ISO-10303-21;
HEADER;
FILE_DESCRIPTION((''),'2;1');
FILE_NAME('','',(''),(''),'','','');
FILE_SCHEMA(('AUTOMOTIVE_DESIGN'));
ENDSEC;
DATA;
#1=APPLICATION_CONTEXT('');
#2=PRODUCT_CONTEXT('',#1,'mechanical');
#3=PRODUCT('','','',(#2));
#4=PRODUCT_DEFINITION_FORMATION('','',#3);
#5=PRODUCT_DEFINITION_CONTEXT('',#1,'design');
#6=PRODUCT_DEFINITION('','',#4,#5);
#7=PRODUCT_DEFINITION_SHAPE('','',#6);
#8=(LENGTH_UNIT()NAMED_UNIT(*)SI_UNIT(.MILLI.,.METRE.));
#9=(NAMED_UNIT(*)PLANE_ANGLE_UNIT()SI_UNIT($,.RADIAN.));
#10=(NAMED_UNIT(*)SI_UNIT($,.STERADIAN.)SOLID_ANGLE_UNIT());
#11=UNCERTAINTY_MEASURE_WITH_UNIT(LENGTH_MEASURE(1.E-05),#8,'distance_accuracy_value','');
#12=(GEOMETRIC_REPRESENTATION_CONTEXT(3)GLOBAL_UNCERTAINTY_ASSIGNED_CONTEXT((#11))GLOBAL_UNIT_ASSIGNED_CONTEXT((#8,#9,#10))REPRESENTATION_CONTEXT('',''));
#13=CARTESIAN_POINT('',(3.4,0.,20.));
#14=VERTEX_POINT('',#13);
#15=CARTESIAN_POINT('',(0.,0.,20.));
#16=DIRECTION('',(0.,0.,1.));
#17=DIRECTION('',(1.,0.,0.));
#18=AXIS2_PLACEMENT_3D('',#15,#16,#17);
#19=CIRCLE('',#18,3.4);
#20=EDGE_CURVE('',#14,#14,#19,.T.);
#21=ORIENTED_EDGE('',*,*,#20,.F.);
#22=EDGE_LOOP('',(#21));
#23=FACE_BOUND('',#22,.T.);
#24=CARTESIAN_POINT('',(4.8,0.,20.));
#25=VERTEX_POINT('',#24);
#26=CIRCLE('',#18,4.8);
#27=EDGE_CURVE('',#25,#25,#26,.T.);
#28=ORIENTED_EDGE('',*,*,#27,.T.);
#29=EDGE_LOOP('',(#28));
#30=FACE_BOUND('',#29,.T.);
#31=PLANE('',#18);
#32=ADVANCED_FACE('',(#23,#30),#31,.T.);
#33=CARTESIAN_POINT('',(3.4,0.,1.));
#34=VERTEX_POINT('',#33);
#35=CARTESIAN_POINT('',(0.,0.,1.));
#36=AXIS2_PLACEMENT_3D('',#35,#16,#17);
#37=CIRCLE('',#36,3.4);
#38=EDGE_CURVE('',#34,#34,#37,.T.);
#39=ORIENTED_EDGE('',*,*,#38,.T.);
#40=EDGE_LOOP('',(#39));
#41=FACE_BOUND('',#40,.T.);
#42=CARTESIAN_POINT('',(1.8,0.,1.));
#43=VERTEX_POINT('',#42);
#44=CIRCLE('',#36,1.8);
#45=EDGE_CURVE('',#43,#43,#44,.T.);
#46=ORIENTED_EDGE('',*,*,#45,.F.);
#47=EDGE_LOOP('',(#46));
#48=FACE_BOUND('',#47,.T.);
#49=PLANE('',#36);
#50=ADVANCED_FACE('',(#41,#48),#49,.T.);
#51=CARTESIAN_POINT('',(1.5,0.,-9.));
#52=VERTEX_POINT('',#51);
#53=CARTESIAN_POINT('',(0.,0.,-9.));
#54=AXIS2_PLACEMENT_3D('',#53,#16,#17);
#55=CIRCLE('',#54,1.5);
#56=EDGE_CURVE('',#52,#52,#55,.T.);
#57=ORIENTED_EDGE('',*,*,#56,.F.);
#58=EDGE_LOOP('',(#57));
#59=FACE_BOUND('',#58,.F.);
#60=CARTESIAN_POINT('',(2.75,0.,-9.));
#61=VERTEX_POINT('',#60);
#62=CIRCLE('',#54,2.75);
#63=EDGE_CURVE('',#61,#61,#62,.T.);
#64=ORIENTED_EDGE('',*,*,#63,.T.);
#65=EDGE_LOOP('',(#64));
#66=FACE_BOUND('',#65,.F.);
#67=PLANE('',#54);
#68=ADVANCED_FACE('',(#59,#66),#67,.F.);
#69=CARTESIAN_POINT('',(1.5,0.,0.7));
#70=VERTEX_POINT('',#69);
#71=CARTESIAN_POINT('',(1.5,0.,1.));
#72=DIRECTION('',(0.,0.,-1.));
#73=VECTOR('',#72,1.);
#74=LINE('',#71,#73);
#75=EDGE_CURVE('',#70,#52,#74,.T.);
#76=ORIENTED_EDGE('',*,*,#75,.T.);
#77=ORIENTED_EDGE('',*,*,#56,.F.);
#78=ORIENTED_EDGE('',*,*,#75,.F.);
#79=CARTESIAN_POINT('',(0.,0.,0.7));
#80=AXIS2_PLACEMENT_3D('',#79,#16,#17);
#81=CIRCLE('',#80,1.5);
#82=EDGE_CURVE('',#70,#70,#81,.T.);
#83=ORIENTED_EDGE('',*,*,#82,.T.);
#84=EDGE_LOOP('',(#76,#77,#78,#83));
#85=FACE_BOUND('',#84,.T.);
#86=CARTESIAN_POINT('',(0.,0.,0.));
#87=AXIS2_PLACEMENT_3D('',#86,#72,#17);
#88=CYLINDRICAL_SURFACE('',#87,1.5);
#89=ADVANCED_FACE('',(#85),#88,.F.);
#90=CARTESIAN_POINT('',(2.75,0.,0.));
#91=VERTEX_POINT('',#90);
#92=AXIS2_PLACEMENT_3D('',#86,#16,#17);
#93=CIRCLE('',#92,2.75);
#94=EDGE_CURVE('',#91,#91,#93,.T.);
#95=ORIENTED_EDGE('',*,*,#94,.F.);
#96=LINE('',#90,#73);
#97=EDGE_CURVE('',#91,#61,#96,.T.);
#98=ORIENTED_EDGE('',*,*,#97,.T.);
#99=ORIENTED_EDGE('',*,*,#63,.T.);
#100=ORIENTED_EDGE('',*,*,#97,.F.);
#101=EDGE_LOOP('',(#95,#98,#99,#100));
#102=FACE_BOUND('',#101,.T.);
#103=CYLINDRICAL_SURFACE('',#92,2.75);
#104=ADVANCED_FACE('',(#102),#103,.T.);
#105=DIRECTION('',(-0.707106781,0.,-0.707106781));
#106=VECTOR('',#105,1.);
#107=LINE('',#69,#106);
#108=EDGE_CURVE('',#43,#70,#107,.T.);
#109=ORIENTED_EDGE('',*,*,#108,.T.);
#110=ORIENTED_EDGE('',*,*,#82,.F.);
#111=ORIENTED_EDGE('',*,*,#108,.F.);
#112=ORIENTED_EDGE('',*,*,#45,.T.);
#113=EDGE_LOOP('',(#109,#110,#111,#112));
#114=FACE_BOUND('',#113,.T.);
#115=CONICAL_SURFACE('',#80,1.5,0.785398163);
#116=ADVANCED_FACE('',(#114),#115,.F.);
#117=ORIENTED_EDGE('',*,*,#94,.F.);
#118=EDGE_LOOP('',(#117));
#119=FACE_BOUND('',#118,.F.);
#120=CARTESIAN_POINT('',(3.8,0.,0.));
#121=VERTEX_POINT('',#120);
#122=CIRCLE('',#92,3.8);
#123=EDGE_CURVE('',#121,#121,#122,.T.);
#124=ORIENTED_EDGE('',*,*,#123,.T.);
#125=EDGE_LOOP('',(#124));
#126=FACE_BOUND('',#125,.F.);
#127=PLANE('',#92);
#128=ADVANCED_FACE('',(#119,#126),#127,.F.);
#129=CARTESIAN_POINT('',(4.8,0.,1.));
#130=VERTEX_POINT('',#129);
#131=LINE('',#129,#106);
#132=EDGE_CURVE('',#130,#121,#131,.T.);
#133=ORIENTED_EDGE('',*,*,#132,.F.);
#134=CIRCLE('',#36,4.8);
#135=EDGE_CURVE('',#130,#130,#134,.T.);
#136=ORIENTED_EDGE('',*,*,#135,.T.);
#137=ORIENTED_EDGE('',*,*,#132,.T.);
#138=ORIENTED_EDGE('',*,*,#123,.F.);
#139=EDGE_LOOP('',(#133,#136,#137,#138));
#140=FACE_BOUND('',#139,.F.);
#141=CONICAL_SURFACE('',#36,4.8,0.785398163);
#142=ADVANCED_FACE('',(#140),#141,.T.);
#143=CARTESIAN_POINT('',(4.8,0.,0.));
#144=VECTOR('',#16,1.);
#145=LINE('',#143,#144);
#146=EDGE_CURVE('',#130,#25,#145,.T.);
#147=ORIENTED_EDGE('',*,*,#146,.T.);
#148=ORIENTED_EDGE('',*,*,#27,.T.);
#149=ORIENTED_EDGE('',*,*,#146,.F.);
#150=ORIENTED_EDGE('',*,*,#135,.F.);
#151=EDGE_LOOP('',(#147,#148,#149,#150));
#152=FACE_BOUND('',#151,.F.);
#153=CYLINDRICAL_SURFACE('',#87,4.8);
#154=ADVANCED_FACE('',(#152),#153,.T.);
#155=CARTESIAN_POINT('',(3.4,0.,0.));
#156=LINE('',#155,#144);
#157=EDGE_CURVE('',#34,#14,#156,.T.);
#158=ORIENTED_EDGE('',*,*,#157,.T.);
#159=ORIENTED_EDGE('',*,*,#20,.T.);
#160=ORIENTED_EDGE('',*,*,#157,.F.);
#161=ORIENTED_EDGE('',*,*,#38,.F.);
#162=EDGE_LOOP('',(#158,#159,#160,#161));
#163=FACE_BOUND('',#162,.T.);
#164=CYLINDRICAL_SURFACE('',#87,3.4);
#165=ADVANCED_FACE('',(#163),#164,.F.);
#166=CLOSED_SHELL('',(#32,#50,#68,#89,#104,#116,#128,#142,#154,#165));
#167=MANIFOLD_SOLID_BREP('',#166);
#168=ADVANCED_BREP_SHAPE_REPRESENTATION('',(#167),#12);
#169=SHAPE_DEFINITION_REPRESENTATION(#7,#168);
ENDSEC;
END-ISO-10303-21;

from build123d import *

# Parameters (mm, degrees)
F0_R     = 2.75
F0_R_2   = 1.5
F1_DEPTH = 9
F0_R_3   = 3.4
F2_DEPTH = 1
F0_R_4   = 4.8
F3_DEPTH = 20
F4_SIZE  = 1
F5_SIZE  = 0.3


with BuildPart() as f1:
    # F0 (on Top) → F1 (new body)
    with BuildSketch(Plane.XY):
        Circle(F0_R)
        Circle(F0_R_2, mode=Mode.SUBTRACT)
    extrude(amount=-F1_DEPTH)

    # F0 (on Top) → F2 (join)
    with BuildSketch(Plane.XY):
        Circle(F0_R_3)
        Circle(F0_R, mode=Mode.SUBTRACT)
        Circle(F0_R)
        Circle(F0_R_2, mode=Mode.SUBTRACT)
    extrude(amount=F2_DEPTH)

    # F0 (on Top) → F3 (join)
    with BuildSketch(Plane.XY):
        Circle(F0_R_4)
        Circle(F0_R_3, mode=Mode.SUBTRACT)
    extrude(amount=F3_DEPTH)

    # F4
    f4_edges = [f1.edges().sort_by_distance(p)[0] for p in [
        (-4.8, 0, 0),
    ]]
    chamfer(f4_edges, length=F4_SIZE)

    # F5
    f5_edges = [f1.edges().sort_by_distance(p)[0] for p in [
        (-1.5, 0, 1),
    ]]
    chamfer(f5_edges, length=F5_SIZE)


solid = f1.part
